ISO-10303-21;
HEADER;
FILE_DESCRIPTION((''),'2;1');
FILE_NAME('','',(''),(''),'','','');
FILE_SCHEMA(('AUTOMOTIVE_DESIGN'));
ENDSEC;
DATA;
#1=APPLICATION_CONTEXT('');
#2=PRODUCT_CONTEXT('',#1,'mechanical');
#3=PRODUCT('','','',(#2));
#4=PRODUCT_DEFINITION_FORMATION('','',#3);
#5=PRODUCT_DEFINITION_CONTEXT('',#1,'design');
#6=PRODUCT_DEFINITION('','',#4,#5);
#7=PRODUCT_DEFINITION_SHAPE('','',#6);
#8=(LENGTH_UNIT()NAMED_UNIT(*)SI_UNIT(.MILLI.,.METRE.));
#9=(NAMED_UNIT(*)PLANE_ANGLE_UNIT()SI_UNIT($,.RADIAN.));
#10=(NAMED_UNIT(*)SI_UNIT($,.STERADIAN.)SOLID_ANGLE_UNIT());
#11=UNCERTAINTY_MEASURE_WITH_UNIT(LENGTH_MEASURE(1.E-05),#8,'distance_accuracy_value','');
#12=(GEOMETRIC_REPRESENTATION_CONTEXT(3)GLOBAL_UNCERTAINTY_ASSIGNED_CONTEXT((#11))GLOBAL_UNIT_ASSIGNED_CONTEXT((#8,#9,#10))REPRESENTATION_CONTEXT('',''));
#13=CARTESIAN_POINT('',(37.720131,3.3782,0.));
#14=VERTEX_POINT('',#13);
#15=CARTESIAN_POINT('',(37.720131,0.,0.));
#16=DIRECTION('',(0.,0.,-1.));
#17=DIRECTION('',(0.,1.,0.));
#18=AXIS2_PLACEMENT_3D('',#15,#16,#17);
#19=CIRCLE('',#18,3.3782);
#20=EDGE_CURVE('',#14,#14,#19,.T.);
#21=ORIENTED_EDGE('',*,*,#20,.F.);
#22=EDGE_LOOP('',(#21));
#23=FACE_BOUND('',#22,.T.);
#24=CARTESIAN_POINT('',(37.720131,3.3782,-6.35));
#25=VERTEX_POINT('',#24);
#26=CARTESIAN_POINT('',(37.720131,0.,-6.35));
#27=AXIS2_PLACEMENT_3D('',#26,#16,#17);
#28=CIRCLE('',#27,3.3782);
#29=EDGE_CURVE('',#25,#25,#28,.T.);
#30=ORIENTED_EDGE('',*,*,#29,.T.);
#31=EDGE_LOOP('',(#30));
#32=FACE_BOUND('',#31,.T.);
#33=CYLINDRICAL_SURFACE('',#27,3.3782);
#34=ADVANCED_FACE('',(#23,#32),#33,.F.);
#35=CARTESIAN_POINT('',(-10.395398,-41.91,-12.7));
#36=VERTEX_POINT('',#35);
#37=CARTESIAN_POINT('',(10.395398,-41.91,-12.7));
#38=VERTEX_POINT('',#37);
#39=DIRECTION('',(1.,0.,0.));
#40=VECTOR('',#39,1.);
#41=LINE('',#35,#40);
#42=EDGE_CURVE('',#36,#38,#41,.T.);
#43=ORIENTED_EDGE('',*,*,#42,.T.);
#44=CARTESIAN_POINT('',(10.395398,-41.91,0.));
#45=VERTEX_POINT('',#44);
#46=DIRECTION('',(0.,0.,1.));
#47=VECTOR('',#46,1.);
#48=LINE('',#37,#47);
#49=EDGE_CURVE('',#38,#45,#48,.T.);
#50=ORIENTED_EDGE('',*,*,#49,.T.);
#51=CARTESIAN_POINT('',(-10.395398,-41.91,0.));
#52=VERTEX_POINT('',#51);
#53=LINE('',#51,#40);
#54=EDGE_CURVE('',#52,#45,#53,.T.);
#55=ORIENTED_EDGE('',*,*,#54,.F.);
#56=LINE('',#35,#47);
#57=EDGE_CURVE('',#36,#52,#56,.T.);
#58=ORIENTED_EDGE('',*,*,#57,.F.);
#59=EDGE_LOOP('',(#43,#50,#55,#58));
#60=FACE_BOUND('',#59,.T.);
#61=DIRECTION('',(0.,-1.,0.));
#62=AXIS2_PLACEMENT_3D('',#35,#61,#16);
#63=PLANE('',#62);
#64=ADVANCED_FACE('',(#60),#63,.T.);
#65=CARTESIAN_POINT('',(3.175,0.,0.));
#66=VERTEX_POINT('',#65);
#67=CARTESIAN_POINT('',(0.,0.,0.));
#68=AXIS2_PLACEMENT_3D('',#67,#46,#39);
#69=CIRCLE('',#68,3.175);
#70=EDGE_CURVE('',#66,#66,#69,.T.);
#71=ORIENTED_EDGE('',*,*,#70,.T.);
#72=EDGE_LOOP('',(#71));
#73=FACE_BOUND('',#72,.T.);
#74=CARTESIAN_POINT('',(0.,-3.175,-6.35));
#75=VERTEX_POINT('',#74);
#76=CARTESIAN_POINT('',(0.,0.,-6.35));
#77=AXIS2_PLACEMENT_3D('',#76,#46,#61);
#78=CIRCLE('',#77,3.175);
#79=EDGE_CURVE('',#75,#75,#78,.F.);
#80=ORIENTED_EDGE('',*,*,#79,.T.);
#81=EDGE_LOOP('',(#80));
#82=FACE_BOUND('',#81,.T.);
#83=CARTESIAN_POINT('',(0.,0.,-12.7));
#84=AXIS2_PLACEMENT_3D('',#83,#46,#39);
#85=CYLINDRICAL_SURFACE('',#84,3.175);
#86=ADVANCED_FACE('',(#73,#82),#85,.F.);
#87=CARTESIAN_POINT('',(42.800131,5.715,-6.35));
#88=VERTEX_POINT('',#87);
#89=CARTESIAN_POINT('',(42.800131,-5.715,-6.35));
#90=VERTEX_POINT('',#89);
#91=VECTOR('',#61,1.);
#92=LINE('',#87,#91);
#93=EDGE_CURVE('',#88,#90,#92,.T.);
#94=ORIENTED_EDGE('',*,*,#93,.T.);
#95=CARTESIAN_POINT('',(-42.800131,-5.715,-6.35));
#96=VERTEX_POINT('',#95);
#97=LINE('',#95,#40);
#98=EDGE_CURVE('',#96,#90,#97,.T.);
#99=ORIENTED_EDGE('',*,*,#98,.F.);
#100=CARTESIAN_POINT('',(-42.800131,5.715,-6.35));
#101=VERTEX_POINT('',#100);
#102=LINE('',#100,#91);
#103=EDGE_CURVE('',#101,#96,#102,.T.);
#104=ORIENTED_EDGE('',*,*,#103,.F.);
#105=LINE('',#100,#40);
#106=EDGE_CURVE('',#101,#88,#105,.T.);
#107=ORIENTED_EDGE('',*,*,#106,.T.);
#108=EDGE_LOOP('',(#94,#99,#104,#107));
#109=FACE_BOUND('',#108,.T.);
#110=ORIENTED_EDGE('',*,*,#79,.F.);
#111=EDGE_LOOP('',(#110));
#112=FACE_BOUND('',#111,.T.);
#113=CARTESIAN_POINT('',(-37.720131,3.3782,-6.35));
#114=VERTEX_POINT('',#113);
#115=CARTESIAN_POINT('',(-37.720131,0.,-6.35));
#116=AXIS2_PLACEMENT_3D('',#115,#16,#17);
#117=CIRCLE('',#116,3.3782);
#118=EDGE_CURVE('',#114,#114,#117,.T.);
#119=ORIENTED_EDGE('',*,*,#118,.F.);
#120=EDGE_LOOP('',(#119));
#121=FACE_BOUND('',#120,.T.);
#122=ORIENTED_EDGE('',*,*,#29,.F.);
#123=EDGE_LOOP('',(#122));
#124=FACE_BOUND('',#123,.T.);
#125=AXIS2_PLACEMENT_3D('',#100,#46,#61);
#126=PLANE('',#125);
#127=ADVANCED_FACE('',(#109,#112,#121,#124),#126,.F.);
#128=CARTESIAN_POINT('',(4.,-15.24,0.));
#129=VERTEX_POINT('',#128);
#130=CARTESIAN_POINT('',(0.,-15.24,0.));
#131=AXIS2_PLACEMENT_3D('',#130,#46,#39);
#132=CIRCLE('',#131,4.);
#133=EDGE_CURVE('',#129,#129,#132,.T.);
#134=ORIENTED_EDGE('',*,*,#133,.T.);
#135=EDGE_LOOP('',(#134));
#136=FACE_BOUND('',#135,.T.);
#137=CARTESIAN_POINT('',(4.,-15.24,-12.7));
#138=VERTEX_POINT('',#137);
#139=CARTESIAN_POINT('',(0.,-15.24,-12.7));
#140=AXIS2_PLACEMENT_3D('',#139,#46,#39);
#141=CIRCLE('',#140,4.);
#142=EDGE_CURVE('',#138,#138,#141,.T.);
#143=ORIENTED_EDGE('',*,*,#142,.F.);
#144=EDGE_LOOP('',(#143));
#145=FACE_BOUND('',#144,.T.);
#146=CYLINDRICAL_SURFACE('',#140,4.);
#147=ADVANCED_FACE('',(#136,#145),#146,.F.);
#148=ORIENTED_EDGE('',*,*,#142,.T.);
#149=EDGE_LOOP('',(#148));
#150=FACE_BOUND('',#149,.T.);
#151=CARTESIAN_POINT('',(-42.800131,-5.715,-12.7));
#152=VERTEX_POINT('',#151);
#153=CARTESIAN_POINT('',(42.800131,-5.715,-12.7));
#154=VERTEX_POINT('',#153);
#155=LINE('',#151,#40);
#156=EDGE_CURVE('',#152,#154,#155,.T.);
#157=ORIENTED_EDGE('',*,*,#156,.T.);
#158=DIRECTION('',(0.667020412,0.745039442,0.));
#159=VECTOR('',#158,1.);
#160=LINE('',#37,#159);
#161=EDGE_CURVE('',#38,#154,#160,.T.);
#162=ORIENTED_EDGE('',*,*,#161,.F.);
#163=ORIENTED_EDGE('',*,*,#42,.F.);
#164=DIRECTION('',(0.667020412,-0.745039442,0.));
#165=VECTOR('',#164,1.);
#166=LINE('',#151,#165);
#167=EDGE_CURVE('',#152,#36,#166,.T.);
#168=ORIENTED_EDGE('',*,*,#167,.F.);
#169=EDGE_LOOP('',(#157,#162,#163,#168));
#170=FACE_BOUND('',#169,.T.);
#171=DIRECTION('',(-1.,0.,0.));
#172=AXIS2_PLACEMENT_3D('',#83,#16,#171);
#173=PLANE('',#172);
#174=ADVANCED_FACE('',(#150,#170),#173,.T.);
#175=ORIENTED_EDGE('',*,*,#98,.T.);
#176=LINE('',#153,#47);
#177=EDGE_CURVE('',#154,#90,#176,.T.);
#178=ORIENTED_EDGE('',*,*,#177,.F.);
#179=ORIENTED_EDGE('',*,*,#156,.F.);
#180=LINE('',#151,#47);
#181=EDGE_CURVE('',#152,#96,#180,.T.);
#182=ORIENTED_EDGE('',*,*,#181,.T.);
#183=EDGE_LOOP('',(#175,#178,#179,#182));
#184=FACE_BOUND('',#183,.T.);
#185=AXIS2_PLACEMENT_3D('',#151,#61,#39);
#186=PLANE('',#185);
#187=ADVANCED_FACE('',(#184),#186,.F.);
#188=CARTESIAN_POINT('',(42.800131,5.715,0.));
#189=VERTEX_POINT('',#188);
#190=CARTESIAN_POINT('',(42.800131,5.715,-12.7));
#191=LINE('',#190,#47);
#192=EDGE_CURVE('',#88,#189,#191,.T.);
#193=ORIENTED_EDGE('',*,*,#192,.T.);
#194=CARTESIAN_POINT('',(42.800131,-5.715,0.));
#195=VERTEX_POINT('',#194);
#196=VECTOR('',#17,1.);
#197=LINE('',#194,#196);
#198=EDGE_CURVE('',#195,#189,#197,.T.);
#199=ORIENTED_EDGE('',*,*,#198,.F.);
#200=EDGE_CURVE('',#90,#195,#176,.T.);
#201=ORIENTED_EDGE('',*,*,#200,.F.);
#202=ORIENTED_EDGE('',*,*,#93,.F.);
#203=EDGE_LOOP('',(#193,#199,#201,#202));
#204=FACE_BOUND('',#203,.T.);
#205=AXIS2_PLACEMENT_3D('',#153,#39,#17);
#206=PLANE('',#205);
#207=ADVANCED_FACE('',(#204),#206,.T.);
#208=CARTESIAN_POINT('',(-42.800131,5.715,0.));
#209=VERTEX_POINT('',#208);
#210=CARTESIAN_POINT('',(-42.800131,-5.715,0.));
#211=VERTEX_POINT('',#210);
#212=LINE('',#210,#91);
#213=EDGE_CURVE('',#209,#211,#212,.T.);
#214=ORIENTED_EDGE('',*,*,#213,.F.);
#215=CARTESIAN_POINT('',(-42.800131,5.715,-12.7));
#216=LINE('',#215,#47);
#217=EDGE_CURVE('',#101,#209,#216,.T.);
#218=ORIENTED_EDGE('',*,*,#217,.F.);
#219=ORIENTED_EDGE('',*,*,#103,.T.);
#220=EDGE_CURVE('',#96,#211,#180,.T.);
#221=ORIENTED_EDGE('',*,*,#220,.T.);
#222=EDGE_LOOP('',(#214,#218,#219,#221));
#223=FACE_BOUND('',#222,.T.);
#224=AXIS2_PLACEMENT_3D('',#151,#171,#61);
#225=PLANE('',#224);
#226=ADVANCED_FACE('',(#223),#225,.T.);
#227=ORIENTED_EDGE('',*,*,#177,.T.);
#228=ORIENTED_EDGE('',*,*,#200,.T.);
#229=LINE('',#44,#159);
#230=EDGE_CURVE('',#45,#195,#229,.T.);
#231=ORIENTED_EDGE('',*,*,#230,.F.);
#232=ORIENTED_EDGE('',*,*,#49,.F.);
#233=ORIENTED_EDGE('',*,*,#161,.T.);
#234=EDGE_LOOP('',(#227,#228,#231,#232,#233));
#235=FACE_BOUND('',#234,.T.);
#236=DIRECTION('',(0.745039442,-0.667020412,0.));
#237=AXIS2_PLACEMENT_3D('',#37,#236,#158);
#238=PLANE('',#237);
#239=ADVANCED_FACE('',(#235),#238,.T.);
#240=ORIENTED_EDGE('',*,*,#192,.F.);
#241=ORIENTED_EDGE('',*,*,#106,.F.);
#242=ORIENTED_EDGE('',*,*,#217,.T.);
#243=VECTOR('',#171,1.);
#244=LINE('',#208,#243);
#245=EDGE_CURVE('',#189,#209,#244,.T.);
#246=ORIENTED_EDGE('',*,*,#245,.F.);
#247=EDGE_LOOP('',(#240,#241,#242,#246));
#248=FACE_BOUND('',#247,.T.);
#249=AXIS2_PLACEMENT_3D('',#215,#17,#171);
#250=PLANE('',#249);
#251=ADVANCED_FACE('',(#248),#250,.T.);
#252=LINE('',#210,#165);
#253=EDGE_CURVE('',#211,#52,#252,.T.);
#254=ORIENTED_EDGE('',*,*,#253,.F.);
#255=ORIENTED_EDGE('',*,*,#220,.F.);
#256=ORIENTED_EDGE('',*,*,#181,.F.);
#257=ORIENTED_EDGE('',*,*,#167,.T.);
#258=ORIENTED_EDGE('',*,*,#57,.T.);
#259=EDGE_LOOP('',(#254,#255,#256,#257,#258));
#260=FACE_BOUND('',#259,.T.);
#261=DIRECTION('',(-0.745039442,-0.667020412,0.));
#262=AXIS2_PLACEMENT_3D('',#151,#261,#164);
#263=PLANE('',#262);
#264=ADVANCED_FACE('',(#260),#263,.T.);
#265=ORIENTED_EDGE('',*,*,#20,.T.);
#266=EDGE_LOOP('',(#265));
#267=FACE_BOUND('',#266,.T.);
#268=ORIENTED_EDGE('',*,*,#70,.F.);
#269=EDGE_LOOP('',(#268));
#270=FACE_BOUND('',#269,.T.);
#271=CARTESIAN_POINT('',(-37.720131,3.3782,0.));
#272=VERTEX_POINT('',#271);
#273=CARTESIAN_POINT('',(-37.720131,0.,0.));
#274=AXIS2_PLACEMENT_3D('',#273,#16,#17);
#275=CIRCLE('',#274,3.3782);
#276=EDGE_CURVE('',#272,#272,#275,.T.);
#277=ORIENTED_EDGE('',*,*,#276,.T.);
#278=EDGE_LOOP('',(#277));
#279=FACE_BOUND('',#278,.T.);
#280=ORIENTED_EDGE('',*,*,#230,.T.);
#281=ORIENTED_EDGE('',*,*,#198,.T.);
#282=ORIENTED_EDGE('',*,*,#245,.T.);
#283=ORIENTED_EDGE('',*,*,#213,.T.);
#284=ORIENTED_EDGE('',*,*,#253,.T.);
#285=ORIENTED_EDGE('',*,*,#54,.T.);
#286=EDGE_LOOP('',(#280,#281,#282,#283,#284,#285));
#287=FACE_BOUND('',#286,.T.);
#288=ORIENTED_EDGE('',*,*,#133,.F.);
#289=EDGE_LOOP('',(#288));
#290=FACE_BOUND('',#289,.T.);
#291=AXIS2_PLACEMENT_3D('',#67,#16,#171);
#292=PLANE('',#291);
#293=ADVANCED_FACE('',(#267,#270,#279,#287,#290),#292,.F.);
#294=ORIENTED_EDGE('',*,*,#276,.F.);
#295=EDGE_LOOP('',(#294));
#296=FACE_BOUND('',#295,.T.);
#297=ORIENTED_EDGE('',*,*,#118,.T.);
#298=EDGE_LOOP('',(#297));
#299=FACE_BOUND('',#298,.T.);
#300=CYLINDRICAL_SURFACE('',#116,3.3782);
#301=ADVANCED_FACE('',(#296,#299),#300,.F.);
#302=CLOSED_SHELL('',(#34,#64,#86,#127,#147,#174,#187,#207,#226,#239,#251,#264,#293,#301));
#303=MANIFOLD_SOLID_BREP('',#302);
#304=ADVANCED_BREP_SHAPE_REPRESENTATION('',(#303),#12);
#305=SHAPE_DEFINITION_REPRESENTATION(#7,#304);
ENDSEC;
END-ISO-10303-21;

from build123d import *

# Parameters (mm, degrees)
BOSS_EXTRUDE1_DEPTH     = 12.7
SKETCH2_R               = 3.175
CUT_EXTRUDE1_DEPTH      = 13.7
SKETCH3_W               = 6.35
SKETCH3_H               = 11.43
CUT_EXTRUDE2_DEPTH      = 86.600261098
SKETCH4_R               = 4
CUT_EXTRUDE3_DEPTH      = 13.7
F_1_4_CLEARANCE_HOLE1_D = 6.7564


with BuildPart() as part:
    # Sketch1 → Boss-Extrude1 (new body)
    with BuildSketch(Plane.XY):
        Polygon((-42.800130549, -5.715), (-10.39539802, -41.91), (10.39539802, -41.91), (42.800130549, -5.715), (42.800130549, 5.715), (-42.800130549, 5.715), align=None)
    extrude(amount=-BOSS_EXTRUDE1_DEPTH)

    # Sketch2 → Cut-Extrude1 (cut, through all)
    with BuildSketch(Plane.XY):
        Circle(SKETCH2_R)
    extrude(amount=-CUT_EXTRUDE1_DEPTH, mode=Mode.SUBTRACT)

    # Sketch3 → Cut-Extrude2 (cut, through all)
    with BuildSketch(Plane(origin=(42.800130549, 0, 0), x_dir=(0, 0, -1), z_dir=(1, 0, 0))):
        with Locations((9.525, 0)):
            Rectangle(SKETCH3_W, SKETCH3_H)
    extrude(amount=-CUT_EXTRUDE2_DEPTH, mode=Mode.SUBTRACT)

    # Sketch4 → Cut-Extrude3 (cut, through all)
    with BuildSketch(Plane.XY):
        with Locations((0, -15.24)):
            Circle(SKETCH4_R)
    extrude(amount=-CUT_EXTRUDE3_DEPTH, mode=Mode.SUBTRACT)

    # 1/4 Clearance Hole1 (through all)
    with Locations(Plane(origin=(0, 0, -6.35), x_dir=(-1, 0, 0), z_dir=(0, 0, -1))):
        with Locations((-37.720130549, 0), (37.720130549, 0)):
            Hole(F_1_4_CLEARANCE_HOLE1_D / 2)


solid = part.part
